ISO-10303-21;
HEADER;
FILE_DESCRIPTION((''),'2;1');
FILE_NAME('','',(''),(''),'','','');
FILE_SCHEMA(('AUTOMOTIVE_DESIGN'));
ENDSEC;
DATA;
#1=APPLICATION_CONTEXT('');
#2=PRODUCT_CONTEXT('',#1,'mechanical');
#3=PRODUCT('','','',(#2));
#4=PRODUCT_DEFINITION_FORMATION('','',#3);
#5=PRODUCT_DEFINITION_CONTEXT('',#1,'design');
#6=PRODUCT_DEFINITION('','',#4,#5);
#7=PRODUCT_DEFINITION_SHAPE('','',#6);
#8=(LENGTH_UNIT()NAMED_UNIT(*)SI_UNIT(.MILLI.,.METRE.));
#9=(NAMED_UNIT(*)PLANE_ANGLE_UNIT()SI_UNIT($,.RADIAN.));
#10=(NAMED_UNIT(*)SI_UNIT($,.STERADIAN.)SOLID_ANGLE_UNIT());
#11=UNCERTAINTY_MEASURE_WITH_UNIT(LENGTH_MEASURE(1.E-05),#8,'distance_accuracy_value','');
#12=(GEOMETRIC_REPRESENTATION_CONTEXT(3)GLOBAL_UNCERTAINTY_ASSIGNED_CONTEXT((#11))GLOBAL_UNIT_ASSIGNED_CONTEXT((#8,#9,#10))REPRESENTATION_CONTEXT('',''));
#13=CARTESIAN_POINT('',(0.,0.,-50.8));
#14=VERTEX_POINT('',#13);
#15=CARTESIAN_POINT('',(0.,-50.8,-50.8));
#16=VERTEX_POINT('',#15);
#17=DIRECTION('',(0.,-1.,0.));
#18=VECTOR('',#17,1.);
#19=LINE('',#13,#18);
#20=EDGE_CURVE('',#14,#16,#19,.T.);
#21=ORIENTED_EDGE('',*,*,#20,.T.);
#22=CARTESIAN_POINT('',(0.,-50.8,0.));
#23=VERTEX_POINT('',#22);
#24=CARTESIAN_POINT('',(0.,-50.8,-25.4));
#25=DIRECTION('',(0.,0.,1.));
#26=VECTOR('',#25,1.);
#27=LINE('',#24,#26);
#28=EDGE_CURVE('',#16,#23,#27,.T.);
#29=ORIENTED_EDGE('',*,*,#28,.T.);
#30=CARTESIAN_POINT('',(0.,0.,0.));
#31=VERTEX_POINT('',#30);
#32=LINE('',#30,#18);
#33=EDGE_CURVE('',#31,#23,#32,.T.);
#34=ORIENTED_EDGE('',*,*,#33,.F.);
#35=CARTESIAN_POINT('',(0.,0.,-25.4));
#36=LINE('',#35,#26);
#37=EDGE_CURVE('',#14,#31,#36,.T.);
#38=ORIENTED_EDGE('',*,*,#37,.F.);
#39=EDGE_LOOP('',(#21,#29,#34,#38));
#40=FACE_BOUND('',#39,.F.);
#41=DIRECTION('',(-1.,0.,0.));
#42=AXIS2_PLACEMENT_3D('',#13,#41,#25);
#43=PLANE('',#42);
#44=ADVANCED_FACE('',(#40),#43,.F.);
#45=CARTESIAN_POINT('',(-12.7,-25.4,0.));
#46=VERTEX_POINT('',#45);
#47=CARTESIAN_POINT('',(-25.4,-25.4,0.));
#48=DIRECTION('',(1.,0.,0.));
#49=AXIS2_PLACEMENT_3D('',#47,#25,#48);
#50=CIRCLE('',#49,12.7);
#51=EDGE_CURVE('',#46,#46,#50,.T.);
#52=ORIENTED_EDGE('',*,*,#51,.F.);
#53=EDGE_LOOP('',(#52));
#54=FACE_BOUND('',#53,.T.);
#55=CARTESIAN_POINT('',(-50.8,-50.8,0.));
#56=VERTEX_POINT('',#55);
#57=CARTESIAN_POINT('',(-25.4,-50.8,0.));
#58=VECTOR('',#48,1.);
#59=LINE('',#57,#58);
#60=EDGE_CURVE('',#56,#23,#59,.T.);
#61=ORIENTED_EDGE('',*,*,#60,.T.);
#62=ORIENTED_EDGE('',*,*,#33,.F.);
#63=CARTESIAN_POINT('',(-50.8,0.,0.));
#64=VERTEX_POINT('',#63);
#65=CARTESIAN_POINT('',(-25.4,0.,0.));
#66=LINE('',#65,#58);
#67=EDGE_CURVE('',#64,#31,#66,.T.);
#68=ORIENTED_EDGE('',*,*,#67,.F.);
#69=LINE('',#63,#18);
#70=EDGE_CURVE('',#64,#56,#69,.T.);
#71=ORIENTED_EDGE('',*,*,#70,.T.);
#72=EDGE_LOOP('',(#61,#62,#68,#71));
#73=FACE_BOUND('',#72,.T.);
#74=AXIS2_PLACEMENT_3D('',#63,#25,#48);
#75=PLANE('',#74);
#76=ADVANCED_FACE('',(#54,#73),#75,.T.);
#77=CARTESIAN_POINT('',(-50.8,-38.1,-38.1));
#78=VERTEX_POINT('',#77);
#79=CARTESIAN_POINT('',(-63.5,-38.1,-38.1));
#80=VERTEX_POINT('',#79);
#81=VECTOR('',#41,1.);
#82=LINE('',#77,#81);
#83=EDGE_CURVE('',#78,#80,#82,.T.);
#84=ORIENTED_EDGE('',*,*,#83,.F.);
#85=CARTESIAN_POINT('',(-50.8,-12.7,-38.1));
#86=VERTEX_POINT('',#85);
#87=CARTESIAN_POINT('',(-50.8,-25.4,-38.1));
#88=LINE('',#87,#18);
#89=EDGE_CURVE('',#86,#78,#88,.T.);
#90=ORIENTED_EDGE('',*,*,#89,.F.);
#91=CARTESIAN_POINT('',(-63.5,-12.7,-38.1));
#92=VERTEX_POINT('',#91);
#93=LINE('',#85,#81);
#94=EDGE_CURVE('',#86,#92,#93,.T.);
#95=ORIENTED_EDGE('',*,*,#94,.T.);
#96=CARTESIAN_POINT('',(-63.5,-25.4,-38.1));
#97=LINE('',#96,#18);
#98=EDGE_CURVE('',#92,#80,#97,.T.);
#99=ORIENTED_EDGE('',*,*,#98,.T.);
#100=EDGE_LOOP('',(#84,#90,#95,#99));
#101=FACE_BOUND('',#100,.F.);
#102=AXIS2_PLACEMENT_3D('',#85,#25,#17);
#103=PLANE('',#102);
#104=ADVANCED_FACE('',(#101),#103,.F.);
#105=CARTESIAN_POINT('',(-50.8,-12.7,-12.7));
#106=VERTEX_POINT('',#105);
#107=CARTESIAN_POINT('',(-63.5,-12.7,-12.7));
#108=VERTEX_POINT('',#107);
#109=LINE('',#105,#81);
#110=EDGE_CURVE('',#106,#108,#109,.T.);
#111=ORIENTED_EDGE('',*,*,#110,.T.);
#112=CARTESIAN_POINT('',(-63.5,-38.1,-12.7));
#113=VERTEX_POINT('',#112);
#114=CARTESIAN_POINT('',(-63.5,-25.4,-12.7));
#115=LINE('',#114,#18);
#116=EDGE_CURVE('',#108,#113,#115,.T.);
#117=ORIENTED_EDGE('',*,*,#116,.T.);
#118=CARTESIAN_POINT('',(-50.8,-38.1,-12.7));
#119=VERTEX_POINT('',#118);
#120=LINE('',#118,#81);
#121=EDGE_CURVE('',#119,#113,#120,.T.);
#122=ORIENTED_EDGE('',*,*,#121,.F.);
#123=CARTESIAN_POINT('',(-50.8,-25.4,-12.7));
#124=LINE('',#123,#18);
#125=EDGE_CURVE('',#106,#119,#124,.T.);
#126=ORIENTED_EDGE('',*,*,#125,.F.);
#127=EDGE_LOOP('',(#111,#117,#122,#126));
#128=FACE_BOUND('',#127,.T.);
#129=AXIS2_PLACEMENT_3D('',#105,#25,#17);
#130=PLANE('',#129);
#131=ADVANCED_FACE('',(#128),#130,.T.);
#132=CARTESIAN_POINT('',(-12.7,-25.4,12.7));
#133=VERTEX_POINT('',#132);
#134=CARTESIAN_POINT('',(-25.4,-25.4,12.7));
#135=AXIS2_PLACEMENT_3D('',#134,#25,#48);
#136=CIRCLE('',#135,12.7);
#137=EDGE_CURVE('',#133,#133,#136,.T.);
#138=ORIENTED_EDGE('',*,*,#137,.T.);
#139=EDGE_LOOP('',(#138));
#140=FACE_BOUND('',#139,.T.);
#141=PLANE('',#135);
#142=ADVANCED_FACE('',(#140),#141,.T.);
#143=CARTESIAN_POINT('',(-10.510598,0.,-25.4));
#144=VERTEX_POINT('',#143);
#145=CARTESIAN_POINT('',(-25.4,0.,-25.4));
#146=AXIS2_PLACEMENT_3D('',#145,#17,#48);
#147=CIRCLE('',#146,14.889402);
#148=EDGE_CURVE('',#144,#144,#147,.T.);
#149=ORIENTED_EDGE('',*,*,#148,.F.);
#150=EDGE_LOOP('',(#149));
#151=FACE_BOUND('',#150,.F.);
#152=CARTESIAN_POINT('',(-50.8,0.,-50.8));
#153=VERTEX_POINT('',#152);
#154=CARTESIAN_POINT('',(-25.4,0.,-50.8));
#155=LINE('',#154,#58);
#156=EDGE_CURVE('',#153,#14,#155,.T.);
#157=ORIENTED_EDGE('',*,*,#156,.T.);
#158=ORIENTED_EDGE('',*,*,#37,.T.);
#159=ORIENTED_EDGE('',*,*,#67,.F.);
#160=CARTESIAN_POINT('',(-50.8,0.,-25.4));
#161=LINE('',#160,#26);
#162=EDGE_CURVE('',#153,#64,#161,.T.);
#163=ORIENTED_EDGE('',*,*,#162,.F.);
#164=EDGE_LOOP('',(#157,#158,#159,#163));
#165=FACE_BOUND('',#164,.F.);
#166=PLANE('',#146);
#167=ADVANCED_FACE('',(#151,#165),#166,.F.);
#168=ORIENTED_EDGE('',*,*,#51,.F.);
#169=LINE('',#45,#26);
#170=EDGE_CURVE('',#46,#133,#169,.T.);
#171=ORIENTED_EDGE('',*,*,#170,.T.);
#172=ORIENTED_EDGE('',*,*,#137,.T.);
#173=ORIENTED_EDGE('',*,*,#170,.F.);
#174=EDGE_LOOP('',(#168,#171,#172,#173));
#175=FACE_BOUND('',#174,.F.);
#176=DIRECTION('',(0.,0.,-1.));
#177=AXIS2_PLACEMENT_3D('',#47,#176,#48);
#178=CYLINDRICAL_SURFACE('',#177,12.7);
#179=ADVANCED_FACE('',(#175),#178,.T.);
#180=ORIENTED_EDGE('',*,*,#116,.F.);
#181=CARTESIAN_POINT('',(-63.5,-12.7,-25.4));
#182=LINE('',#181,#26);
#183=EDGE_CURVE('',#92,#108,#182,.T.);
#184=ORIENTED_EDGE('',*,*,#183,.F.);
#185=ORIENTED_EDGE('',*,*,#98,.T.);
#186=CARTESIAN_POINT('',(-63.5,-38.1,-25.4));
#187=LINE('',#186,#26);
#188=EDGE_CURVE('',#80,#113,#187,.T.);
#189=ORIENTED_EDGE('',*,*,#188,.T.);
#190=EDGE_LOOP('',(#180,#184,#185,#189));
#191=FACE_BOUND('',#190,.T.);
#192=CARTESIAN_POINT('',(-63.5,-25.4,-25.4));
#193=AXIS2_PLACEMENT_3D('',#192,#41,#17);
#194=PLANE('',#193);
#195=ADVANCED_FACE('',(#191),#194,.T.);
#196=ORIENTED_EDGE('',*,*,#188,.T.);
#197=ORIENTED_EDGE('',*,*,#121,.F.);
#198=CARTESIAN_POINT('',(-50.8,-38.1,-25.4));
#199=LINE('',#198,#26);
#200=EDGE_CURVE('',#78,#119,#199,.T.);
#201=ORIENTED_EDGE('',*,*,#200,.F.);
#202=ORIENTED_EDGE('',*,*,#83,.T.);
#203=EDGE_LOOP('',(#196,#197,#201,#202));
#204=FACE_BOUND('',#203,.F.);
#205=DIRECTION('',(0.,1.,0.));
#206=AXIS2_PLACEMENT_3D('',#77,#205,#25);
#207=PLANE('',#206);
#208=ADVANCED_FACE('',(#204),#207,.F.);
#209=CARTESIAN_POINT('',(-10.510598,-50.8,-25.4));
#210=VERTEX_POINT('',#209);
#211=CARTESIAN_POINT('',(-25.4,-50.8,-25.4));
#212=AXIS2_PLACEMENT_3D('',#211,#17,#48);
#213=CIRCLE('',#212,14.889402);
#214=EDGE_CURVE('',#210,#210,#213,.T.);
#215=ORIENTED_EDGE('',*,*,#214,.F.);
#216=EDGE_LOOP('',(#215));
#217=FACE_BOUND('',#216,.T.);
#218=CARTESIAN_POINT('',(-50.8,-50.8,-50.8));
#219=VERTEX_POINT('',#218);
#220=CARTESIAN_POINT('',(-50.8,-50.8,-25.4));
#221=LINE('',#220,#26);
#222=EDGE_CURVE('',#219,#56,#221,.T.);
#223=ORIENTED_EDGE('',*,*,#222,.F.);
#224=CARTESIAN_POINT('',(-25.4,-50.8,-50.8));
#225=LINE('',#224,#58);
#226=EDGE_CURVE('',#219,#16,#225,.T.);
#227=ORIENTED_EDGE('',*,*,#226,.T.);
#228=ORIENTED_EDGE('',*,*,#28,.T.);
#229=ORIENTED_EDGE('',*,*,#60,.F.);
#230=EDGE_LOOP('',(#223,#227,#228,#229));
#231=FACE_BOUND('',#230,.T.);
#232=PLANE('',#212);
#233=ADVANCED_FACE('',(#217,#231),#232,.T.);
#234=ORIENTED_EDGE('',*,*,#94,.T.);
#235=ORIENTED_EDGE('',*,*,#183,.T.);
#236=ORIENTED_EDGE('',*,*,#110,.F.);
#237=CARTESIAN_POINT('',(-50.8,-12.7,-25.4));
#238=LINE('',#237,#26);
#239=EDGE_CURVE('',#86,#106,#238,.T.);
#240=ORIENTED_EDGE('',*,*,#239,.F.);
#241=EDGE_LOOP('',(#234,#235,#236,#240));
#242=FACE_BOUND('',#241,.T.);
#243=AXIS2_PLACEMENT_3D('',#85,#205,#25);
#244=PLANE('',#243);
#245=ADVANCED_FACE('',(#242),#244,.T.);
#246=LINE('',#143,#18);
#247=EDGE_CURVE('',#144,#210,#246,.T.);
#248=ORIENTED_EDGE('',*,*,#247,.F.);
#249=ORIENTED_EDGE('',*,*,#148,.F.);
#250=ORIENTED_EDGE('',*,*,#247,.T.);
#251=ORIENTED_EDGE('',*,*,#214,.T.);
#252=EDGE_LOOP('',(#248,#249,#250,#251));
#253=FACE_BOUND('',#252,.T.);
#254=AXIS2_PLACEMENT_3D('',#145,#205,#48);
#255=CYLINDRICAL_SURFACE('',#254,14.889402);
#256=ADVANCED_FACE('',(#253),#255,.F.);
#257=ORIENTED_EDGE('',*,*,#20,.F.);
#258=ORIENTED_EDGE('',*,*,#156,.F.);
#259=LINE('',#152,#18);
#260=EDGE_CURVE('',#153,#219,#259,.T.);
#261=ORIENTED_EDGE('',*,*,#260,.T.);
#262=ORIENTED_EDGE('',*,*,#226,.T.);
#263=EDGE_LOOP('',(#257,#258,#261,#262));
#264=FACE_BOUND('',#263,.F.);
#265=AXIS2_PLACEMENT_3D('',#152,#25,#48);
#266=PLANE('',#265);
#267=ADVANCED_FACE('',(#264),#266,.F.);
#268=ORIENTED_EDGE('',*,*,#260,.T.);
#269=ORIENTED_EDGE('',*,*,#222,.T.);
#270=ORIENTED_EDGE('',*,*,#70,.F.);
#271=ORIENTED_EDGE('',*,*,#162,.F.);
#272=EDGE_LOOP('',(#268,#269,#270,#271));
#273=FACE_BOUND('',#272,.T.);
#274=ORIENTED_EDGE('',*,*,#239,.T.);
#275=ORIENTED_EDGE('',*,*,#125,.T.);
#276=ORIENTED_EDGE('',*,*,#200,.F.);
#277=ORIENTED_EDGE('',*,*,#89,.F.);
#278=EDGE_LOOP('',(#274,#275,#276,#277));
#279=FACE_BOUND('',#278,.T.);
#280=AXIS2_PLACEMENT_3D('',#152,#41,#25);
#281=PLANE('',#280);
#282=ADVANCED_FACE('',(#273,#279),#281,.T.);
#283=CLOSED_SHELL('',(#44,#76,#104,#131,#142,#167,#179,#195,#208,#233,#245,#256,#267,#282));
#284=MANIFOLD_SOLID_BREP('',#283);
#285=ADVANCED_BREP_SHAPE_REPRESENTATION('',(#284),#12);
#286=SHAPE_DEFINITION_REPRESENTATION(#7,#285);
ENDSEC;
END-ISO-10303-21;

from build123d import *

# Parameters (mm, degrees)
F0_W     = 50.8
F0_H     = 50.8
F0_R     = 14.889402
F1_DEPTH = 50.8
F2_W     = 25.4
F2_H     = 25.4
F3_DEPTH = 12.7
F4_R     = 12.7
F5_DEPTH = 12.7


with BuildPart() as f1:
    # F0 (on Front) → F1 (new body)
    with BuildSketch(Plane.XZ):
        with Locations((-25.4, -25.4)):
            Rectangle(F0_W, F0_H)
        with Locations((-25.4, -25.4)):
            Circle(F0_R, mode=Mode.SUBTRACT)
    extrude(amount=F1_DEPTH)

    # F2 (on face) → F3 (join)
    with BuildSketch(Plane(origin=(-50.8, 0, 0), x_dir=(0, -1, 0), z_dir=(-1, 0, 0))):
        with Locations((25.4, -25.4)):
            Rectangle(F2_W, F2_H)
    extrude(amount=F3_DEPTH)

    # F4 (on face) → F5 (join)
    with BuildSketch(Plane.XY):
        with Locations((-25.4, -25.4)):
            Circle(F4_R)
    extrude(amount=F5_DEPTH)


solid = f1.part
